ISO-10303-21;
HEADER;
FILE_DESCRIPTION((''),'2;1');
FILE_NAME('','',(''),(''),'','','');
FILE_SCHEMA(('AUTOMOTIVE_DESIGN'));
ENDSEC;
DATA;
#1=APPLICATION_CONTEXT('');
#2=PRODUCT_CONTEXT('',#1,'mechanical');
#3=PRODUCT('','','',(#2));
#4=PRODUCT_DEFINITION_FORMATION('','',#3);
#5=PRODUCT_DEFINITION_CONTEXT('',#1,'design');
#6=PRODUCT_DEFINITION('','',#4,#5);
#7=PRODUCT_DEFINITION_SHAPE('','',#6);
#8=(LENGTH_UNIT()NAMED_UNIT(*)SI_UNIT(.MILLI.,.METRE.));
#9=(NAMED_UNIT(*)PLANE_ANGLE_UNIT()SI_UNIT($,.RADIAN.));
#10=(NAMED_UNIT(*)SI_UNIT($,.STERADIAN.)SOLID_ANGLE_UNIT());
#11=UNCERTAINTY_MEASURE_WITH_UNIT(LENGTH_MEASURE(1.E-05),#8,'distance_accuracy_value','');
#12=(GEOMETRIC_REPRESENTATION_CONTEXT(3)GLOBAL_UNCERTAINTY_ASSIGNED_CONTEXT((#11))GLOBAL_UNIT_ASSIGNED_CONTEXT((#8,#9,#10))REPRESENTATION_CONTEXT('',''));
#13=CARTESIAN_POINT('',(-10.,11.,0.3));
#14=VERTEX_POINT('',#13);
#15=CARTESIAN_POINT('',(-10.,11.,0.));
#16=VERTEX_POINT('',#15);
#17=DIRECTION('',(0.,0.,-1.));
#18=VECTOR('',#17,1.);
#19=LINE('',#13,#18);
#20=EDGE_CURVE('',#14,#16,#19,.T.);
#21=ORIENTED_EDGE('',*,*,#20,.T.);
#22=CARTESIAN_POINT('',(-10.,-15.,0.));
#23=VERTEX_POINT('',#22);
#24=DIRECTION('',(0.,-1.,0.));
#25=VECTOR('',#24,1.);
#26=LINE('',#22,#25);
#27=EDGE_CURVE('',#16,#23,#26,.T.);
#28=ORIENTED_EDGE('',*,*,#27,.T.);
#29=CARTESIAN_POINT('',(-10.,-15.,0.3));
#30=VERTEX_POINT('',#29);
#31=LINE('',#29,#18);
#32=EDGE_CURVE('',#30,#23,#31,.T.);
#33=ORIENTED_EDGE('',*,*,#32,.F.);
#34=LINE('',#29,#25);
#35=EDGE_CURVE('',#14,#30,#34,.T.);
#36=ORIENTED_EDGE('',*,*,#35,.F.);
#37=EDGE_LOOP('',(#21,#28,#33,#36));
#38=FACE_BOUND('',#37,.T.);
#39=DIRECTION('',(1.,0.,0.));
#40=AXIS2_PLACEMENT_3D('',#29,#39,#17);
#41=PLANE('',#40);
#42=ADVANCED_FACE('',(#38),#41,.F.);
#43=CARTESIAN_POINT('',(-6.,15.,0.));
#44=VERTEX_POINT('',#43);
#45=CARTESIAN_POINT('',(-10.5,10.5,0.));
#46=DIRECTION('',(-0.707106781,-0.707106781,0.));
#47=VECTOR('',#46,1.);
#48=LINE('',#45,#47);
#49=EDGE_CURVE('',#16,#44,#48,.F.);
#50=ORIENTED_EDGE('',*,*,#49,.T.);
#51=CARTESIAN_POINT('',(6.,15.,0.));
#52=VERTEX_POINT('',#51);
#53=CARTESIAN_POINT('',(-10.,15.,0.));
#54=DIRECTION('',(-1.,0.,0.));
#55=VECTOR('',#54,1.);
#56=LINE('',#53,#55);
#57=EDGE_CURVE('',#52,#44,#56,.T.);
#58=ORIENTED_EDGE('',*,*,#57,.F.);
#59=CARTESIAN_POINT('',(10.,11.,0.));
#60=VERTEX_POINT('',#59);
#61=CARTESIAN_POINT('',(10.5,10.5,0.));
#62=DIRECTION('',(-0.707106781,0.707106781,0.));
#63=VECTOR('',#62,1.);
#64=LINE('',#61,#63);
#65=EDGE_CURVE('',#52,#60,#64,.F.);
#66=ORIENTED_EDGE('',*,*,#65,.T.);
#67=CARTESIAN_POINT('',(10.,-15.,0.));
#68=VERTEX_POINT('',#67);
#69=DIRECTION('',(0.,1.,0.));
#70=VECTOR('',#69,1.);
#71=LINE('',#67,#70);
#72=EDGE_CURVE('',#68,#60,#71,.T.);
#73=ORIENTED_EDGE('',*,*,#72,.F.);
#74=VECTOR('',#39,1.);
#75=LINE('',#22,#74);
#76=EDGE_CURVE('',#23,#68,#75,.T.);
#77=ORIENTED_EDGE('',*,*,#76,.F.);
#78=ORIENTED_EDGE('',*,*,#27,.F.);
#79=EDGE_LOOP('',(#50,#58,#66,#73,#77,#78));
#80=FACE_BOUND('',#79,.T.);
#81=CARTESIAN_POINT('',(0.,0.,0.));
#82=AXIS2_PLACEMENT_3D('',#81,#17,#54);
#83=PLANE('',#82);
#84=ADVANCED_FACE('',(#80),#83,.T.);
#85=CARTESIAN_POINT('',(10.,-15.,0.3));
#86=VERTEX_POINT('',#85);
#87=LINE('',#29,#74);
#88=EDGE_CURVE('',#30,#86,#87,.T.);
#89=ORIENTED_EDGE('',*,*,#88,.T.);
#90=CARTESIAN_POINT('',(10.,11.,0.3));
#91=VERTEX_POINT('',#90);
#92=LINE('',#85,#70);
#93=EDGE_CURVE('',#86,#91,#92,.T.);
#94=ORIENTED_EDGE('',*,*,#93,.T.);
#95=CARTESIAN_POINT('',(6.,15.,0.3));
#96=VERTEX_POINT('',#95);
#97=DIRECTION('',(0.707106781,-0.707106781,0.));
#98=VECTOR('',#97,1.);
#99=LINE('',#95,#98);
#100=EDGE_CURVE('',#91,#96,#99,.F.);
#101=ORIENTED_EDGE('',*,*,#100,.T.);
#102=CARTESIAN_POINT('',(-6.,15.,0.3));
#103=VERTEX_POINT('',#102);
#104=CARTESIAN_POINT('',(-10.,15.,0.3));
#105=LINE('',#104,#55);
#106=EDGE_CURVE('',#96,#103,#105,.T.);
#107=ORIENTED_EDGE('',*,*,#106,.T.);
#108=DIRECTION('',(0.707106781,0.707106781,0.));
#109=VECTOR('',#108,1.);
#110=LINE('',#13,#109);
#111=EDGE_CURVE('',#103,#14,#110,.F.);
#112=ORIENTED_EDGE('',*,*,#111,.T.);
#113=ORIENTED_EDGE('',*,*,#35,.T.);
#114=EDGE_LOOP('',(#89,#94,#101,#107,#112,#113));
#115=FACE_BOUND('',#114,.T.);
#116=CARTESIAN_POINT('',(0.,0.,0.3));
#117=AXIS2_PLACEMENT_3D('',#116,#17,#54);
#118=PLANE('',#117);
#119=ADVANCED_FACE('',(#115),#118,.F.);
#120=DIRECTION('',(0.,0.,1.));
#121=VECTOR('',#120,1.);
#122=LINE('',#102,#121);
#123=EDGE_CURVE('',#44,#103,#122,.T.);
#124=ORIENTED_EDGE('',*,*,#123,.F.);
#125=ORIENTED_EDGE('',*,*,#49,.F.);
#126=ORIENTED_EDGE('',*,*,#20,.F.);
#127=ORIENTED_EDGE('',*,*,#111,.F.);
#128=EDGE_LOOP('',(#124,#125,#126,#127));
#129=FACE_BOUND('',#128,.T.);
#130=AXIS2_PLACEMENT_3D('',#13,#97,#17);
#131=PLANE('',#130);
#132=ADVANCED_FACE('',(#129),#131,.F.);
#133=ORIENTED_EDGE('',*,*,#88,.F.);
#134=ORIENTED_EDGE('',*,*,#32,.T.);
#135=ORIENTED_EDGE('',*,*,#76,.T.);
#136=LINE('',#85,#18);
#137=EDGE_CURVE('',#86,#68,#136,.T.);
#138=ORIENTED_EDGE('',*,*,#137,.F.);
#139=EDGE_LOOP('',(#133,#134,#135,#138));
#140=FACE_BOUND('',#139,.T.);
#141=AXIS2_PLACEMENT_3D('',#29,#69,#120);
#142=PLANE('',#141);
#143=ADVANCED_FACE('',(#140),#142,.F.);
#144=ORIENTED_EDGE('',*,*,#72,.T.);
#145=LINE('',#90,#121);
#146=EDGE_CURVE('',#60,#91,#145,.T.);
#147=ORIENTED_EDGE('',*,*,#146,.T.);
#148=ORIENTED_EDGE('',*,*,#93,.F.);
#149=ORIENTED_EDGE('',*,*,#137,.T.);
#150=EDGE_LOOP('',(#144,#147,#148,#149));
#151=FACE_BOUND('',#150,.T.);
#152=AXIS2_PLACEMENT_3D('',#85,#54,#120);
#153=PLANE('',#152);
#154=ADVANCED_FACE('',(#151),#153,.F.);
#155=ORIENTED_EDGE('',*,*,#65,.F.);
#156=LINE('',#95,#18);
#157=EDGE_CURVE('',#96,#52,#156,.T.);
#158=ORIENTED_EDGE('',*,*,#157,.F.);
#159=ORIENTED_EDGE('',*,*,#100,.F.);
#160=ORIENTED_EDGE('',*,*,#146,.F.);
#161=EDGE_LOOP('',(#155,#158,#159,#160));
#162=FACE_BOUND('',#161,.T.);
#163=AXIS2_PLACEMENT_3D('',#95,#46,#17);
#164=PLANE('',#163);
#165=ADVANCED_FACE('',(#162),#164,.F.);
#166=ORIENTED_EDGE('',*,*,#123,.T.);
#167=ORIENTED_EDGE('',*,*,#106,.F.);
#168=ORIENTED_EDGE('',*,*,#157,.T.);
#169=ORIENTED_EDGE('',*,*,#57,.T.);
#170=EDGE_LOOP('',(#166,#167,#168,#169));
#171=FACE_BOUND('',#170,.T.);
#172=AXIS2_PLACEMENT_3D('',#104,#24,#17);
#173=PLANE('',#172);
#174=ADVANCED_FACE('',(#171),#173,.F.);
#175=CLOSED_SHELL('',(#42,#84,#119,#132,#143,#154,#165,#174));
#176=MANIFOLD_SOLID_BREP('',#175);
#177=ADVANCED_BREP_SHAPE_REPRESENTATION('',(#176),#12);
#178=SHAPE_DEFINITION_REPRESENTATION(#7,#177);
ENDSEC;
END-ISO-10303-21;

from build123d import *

# Parameters (mm, degrees)
SKETCH_1_W      = 20
SKETCH_1_H      = 30
EXTRUDE_1_DEPTH = 0.3
CHAMFER_1_SIZE  = 4


with BuildPart() as part:
    # 草图1 → 凸台-拉伸1 (new body)
    with BuildSketch(Plane.XY):
        Rectangle(SKETCH_1_W, SKETCH_1_H)
    extrude(amount=EXTRUDE_1_DEPTH)

    # 倒角1
    chamfer_1_edges = [part.edges().sort_by_distance(p)[0] for p in [
        (-10, 15, 0.15),
        (10, 15, 0.15),
    ]]
    chamfer(chamfer_1_edges, length=CHAMFER_1_SIZE)


solid = part.part
